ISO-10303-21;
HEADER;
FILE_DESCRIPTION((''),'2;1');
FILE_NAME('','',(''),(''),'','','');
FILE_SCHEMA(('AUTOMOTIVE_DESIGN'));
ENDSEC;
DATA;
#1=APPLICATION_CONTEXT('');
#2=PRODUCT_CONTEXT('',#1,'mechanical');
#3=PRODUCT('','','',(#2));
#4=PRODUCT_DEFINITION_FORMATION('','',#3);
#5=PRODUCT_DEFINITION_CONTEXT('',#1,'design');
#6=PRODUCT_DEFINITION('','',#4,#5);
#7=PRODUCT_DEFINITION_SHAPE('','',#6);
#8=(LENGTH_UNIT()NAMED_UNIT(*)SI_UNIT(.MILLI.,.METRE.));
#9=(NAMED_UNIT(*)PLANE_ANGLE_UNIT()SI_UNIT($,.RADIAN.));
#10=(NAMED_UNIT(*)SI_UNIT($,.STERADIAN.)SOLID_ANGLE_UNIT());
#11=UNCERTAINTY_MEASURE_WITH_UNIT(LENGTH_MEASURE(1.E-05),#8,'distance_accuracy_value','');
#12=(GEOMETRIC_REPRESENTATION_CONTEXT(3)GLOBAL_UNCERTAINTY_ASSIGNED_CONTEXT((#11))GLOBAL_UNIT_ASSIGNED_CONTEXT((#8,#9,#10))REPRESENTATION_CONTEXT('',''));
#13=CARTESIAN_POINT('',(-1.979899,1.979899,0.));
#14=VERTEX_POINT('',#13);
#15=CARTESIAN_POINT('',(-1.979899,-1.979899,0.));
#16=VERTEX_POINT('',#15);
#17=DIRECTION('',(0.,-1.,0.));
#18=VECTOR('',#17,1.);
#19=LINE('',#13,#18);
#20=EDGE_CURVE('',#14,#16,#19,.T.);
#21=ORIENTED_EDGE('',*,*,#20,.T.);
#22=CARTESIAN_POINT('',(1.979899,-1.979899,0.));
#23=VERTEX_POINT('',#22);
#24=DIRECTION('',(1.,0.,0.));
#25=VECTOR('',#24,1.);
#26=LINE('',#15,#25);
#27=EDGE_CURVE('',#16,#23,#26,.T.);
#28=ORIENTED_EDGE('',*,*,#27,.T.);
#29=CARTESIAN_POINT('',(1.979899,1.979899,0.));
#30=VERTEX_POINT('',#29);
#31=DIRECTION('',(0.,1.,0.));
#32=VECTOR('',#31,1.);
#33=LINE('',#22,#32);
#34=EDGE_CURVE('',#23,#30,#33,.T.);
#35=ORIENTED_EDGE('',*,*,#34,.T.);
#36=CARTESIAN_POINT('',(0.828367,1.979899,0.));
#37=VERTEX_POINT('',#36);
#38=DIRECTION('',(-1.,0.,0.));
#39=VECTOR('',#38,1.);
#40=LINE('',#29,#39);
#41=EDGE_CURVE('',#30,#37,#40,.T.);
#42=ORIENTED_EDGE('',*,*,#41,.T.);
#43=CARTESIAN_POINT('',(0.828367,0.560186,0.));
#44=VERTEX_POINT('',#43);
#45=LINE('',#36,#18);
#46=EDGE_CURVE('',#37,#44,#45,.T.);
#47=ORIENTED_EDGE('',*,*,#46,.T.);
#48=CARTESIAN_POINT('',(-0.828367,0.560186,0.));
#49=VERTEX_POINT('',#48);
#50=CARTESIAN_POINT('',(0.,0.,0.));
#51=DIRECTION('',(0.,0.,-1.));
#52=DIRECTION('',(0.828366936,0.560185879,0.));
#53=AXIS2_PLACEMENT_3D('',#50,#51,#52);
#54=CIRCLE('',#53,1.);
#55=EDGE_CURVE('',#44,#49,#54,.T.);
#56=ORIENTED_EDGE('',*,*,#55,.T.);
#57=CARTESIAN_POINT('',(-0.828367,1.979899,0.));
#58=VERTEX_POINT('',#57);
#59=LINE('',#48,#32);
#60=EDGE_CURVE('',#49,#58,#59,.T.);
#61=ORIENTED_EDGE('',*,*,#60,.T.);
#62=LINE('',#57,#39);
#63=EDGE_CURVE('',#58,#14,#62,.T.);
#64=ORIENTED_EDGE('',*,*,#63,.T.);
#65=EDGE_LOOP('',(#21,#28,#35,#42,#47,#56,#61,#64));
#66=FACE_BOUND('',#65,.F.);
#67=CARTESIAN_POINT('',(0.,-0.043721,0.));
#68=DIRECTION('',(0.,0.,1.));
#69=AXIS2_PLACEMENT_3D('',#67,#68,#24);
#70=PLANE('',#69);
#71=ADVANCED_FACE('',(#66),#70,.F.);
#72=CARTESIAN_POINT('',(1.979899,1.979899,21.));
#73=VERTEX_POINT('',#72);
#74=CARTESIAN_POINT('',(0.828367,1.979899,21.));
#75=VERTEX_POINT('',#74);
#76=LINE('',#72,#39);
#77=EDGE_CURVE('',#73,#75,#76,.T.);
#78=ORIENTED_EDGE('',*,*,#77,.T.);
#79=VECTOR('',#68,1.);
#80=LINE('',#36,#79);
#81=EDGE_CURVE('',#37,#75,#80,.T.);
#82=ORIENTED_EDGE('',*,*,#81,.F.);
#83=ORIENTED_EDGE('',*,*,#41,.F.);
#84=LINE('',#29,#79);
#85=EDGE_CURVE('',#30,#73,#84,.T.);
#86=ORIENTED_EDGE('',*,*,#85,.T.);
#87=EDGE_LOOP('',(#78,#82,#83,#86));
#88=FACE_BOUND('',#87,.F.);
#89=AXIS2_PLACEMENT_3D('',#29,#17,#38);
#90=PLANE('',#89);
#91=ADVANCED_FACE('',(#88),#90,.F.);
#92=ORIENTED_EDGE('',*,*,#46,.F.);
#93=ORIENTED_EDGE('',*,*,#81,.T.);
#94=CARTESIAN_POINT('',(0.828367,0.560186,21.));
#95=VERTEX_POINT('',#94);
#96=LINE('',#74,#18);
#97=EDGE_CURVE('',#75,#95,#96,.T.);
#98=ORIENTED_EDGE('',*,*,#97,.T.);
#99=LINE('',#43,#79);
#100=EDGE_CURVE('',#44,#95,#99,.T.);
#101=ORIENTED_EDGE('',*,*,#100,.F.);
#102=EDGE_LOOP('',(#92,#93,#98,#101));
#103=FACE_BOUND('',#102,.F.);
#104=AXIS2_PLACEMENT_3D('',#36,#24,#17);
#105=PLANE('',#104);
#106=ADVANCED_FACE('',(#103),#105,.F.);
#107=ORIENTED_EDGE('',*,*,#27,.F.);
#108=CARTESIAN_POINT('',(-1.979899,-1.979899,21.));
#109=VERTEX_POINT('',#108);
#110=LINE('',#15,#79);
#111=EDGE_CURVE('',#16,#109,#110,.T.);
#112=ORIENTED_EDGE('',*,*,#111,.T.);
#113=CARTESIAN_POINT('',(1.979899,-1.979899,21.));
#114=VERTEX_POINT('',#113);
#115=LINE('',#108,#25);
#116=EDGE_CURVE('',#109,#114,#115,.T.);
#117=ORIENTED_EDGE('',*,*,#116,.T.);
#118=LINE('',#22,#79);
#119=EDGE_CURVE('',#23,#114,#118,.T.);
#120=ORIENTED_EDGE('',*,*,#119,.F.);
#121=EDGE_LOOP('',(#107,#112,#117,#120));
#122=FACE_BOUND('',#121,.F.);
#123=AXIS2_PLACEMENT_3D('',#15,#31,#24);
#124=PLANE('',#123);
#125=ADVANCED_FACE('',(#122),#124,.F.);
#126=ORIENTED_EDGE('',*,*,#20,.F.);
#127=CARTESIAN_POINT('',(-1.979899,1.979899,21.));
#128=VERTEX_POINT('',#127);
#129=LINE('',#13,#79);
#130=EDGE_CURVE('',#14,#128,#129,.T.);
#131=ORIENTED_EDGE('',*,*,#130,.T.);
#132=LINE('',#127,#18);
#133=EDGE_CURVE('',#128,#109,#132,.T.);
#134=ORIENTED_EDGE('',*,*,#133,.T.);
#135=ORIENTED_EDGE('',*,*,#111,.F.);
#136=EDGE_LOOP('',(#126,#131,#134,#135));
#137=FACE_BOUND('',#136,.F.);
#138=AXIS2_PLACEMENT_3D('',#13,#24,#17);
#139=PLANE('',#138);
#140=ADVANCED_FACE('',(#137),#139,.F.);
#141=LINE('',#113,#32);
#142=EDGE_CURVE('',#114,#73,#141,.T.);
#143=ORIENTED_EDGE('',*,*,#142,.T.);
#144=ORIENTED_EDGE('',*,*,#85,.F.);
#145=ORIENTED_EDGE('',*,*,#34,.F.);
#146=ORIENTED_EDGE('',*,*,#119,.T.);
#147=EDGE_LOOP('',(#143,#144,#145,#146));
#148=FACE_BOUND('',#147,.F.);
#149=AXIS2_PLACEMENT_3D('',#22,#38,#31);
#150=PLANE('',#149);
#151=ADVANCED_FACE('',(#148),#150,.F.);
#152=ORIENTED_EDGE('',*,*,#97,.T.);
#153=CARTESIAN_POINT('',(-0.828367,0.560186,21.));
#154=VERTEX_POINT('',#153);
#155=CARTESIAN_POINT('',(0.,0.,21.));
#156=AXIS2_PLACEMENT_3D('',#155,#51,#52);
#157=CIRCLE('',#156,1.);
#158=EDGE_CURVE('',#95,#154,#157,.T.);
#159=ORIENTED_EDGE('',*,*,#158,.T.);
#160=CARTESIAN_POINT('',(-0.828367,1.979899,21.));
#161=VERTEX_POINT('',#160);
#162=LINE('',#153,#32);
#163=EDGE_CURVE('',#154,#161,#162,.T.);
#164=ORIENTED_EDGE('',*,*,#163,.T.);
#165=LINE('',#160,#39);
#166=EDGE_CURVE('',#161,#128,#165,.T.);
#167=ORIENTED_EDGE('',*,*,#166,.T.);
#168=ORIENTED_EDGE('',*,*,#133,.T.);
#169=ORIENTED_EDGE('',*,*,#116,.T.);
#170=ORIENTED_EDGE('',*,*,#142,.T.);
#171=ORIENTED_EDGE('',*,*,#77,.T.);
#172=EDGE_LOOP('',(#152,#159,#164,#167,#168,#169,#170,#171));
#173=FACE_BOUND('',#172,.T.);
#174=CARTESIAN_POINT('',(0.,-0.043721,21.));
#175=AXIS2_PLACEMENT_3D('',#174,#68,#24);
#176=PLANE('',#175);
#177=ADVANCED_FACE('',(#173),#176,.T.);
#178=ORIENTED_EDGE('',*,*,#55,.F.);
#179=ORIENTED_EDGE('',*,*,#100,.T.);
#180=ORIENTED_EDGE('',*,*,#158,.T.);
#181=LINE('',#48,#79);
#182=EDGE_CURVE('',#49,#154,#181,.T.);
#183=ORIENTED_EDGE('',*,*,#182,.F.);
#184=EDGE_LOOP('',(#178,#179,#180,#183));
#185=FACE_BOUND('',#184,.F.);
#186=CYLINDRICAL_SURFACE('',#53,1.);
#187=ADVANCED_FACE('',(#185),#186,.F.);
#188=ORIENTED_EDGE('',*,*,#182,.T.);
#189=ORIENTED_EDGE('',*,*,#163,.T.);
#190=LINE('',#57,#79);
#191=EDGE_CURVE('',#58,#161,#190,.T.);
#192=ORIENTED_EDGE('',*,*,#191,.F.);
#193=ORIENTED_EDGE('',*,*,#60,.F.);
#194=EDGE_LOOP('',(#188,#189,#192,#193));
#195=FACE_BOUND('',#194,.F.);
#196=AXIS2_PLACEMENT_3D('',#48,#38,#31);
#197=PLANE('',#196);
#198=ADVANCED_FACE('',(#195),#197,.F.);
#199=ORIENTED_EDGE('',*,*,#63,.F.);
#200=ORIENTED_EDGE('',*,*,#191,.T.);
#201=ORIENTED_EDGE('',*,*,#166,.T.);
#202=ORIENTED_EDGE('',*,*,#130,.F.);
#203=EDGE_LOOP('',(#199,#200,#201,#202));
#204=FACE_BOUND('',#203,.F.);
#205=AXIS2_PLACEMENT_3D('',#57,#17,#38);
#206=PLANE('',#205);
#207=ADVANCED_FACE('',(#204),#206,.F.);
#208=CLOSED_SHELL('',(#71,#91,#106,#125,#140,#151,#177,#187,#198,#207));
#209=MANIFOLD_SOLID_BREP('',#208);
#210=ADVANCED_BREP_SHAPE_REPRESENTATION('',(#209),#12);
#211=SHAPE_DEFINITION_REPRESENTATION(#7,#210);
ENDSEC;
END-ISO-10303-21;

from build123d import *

# Parameters (mm, degrees)
F1_DEPTH = 21


with BuildPart() as f1:
    # F0 (on Top) → F1 (new body)
    with BuildSketch(Plane.XY):
        with BuildLine():
            Line((1.979899, -1.979899), (1.979899, 1.979899))
            Line((1.979899, 1.979899), (0.828367, 1.979899))
            Line((0.828367, 1.979899), (0.828367, 0.560186))
            ThreePointArc((0.828367, 0.560186), (0, -1), (-0.828367, 0.560186))
            Line((-0.828367, 0.560186), (-0.828367, 1.979899))
            Line((-0.828367, 1.979899), (-1.979899, 1.979899))
            Line((-1.979899, 1.979899), (-1.979899, -1.979899))
            Line((-1.979899, -1.979899), (1.979899, -1.979899))
        make_face()
    extrude(amount=F1_DEPTH)


solid = f1.part
